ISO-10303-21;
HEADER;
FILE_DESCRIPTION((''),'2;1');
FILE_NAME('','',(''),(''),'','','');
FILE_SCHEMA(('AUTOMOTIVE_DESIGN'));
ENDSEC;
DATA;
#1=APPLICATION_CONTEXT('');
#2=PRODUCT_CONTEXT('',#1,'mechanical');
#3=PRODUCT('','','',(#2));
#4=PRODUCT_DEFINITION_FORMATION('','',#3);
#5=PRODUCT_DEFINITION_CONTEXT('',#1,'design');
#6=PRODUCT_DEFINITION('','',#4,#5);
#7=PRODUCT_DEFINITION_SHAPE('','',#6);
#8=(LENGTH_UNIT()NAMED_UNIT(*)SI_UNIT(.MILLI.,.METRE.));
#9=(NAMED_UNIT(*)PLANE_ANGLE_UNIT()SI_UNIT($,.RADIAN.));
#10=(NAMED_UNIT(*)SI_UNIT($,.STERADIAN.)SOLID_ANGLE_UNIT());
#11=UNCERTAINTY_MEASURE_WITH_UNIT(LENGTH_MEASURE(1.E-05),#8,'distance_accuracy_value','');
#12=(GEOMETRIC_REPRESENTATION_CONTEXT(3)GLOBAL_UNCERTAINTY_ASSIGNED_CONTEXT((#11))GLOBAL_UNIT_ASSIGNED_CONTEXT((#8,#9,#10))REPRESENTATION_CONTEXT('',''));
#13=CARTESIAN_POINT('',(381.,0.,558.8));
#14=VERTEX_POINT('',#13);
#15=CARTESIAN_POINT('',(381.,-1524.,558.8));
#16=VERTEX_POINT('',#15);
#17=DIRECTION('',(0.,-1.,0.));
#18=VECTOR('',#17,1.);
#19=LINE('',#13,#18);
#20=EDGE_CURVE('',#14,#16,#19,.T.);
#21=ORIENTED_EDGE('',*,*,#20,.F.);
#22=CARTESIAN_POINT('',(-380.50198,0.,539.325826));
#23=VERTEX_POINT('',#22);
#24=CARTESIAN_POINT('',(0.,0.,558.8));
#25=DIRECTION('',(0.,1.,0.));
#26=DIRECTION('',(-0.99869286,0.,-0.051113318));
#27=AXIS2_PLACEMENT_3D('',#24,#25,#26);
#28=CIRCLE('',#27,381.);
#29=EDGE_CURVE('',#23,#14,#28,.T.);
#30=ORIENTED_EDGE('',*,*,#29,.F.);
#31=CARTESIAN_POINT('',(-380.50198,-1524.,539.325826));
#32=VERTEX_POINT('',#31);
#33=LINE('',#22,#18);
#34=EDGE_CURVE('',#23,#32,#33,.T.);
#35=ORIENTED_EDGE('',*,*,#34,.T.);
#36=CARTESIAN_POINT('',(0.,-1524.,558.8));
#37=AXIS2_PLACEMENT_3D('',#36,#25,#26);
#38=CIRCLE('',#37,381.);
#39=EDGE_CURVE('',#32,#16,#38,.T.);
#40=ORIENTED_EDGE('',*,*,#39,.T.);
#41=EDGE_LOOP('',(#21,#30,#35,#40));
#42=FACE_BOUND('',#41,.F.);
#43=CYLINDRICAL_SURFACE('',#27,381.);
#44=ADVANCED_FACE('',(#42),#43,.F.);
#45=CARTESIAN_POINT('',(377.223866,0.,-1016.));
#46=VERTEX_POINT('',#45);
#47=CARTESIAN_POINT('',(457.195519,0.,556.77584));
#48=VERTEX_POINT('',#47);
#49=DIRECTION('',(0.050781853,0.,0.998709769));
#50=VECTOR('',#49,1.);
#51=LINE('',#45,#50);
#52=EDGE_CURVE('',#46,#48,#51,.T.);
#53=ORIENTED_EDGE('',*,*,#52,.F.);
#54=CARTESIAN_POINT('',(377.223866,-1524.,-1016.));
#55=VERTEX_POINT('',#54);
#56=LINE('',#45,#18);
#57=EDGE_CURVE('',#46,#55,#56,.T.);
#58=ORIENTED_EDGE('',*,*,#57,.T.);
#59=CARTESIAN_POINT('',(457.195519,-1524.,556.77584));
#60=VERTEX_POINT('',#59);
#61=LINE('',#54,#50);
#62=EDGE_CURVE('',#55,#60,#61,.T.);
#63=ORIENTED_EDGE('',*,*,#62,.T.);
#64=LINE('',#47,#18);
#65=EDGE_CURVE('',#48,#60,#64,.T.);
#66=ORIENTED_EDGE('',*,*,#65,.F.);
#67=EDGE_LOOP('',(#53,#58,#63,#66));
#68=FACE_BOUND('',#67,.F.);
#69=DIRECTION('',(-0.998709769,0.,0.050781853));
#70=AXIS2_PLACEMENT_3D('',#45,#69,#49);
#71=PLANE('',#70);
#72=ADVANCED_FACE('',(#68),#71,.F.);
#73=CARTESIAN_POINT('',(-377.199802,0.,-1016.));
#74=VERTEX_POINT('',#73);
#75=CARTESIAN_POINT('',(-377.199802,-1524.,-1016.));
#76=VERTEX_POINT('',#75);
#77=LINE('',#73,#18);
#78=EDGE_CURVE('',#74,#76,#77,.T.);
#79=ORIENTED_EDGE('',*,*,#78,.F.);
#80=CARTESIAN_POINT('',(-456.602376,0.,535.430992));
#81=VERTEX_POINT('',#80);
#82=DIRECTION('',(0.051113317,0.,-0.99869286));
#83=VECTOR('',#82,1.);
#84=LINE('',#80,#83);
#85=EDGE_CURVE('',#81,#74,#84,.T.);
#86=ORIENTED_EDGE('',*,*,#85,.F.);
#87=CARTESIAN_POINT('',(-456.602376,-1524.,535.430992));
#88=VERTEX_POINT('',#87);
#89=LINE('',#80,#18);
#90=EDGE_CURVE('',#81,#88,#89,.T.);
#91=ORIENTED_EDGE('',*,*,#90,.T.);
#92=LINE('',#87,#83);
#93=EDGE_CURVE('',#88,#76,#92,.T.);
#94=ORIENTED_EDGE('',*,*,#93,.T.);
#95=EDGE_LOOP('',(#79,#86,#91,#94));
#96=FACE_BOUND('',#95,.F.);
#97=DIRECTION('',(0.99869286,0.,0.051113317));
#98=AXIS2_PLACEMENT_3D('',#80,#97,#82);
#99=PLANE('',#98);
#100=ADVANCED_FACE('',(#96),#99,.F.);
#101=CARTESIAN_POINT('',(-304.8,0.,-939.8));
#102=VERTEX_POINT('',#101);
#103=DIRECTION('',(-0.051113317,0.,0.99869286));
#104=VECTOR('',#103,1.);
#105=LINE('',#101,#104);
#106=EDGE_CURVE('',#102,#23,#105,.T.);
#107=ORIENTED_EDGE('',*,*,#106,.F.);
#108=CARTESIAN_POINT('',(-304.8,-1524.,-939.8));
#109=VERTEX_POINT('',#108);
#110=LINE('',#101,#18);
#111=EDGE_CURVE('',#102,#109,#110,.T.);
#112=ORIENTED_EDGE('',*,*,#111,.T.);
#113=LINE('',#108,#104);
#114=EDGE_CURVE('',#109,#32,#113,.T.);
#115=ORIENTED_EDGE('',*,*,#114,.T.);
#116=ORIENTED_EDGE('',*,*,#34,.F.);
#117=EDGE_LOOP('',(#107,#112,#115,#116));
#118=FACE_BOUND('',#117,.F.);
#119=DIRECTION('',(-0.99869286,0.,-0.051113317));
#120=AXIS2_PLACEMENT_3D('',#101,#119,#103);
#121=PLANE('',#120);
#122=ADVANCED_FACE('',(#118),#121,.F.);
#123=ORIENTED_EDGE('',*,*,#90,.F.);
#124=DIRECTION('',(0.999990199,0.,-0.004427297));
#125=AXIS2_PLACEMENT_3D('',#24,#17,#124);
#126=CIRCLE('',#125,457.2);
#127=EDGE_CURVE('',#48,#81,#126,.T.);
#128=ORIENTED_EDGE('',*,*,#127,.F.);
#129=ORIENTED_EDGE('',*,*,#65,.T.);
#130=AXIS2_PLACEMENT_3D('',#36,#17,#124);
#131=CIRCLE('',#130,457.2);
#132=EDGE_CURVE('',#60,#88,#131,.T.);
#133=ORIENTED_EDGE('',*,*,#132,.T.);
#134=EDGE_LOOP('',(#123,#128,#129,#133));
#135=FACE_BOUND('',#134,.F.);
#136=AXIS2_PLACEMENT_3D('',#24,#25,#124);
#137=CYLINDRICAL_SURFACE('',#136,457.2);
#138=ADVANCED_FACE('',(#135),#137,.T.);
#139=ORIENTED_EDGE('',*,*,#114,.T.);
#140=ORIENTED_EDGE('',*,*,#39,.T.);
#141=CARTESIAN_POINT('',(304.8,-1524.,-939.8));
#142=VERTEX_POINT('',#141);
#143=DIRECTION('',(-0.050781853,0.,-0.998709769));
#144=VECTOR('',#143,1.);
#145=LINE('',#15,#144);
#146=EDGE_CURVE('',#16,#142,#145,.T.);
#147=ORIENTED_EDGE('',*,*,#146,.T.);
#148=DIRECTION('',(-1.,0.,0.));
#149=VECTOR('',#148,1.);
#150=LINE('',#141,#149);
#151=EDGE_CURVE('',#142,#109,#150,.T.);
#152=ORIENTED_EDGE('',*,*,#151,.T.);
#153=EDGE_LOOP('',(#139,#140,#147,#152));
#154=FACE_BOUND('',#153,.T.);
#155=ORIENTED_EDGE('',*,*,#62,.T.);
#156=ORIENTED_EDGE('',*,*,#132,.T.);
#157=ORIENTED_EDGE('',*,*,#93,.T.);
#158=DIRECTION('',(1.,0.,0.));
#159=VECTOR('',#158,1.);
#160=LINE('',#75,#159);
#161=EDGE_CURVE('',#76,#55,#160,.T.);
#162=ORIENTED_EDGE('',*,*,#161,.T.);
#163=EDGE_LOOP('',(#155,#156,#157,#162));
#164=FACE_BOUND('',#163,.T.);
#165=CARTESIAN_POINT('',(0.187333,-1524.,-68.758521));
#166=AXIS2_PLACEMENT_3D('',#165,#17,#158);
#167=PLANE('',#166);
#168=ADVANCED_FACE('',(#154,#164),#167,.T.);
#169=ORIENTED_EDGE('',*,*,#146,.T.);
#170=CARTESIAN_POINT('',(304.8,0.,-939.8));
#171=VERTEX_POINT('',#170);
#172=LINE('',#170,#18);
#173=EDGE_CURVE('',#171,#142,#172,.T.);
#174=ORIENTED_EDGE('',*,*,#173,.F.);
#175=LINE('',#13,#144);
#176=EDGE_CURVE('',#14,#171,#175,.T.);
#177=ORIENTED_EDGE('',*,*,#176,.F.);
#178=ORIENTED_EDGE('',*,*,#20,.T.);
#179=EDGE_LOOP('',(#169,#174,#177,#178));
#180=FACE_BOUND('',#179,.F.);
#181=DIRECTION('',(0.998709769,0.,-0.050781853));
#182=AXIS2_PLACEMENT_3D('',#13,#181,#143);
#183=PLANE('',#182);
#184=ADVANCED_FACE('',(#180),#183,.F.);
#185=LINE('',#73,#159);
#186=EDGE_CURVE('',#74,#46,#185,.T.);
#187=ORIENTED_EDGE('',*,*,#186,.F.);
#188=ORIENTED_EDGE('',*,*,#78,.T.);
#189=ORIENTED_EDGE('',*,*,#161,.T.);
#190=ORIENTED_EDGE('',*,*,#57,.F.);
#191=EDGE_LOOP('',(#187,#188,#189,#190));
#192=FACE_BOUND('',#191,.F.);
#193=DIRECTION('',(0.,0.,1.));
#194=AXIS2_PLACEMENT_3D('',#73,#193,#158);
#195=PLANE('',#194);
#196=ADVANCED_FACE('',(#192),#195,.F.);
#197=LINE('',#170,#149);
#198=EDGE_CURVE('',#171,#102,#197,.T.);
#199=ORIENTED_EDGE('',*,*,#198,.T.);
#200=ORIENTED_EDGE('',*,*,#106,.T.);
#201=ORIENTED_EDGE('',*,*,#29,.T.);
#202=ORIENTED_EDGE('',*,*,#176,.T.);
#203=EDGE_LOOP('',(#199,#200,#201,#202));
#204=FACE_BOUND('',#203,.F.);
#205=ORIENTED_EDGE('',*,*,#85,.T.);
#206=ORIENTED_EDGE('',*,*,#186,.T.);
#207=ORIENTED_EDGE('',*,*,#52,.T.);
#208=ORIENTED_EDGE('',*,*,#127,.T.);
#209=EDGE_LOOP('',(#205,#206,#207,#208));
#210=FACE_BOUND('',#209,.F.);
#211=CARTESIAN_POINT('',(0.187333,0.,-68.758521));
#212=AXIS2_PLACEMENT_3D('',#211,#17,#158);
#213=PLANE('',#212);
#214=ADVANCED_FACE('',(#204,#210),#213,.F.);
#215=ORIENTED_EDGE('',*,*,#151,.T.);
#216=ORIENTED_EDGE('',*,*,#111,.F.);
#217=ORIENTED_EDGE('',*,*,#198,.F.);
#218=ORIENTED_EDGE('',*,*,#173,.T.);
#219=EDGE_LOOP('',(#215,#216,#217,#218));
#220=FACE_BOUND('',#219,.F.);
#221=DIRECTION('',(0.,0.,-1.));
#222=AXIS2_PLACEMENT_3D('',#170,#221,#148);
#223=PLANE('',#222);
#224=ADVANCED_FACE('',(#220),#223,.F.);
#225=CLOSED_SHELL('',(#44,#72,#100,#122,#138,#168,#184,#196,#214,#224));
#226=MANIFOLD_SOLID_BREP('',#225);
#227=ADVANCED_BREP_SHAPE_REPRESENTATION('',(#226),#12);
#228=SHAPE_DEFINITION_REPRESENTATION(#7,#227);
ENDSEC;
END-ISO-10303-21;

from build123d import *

# Parameters (mm, degrees)
F1_DEPTH = 1524


with BuildPart() as f1:
    # F0 (on Front) → F1 (new body)
    with BuildSketch(Plane.XZ):
        with BuildLine():
            Line((377.223866, -1016), (457.195519, 556.77584))
            ThreePointArc((457.195519, 556.77584), (-10.676544, 1015.875324), (-456.602376, 535.430992))
            Line((-456.602376, 535.430992), (-377.199802, -1016))
            Line((-377.199802, -1016), (377.223866, -1016))
        make_face()
        with BuildLine():
            ThreePointArc((-380.50198, 539.325826), (-9.74027, 939.675475), (381, 558.8))
            Line((381, 558.8), (304.8, -939.8))
            Line((304.8, -939.8), (-304.8, -939.8))
            Line((-304.8, -939.8), (-380.50198, 539.325826))
        make_face(mode=Mode.SUBTRACT)
    extrude(amount=F1_DEPTH)


solid = f1.part
